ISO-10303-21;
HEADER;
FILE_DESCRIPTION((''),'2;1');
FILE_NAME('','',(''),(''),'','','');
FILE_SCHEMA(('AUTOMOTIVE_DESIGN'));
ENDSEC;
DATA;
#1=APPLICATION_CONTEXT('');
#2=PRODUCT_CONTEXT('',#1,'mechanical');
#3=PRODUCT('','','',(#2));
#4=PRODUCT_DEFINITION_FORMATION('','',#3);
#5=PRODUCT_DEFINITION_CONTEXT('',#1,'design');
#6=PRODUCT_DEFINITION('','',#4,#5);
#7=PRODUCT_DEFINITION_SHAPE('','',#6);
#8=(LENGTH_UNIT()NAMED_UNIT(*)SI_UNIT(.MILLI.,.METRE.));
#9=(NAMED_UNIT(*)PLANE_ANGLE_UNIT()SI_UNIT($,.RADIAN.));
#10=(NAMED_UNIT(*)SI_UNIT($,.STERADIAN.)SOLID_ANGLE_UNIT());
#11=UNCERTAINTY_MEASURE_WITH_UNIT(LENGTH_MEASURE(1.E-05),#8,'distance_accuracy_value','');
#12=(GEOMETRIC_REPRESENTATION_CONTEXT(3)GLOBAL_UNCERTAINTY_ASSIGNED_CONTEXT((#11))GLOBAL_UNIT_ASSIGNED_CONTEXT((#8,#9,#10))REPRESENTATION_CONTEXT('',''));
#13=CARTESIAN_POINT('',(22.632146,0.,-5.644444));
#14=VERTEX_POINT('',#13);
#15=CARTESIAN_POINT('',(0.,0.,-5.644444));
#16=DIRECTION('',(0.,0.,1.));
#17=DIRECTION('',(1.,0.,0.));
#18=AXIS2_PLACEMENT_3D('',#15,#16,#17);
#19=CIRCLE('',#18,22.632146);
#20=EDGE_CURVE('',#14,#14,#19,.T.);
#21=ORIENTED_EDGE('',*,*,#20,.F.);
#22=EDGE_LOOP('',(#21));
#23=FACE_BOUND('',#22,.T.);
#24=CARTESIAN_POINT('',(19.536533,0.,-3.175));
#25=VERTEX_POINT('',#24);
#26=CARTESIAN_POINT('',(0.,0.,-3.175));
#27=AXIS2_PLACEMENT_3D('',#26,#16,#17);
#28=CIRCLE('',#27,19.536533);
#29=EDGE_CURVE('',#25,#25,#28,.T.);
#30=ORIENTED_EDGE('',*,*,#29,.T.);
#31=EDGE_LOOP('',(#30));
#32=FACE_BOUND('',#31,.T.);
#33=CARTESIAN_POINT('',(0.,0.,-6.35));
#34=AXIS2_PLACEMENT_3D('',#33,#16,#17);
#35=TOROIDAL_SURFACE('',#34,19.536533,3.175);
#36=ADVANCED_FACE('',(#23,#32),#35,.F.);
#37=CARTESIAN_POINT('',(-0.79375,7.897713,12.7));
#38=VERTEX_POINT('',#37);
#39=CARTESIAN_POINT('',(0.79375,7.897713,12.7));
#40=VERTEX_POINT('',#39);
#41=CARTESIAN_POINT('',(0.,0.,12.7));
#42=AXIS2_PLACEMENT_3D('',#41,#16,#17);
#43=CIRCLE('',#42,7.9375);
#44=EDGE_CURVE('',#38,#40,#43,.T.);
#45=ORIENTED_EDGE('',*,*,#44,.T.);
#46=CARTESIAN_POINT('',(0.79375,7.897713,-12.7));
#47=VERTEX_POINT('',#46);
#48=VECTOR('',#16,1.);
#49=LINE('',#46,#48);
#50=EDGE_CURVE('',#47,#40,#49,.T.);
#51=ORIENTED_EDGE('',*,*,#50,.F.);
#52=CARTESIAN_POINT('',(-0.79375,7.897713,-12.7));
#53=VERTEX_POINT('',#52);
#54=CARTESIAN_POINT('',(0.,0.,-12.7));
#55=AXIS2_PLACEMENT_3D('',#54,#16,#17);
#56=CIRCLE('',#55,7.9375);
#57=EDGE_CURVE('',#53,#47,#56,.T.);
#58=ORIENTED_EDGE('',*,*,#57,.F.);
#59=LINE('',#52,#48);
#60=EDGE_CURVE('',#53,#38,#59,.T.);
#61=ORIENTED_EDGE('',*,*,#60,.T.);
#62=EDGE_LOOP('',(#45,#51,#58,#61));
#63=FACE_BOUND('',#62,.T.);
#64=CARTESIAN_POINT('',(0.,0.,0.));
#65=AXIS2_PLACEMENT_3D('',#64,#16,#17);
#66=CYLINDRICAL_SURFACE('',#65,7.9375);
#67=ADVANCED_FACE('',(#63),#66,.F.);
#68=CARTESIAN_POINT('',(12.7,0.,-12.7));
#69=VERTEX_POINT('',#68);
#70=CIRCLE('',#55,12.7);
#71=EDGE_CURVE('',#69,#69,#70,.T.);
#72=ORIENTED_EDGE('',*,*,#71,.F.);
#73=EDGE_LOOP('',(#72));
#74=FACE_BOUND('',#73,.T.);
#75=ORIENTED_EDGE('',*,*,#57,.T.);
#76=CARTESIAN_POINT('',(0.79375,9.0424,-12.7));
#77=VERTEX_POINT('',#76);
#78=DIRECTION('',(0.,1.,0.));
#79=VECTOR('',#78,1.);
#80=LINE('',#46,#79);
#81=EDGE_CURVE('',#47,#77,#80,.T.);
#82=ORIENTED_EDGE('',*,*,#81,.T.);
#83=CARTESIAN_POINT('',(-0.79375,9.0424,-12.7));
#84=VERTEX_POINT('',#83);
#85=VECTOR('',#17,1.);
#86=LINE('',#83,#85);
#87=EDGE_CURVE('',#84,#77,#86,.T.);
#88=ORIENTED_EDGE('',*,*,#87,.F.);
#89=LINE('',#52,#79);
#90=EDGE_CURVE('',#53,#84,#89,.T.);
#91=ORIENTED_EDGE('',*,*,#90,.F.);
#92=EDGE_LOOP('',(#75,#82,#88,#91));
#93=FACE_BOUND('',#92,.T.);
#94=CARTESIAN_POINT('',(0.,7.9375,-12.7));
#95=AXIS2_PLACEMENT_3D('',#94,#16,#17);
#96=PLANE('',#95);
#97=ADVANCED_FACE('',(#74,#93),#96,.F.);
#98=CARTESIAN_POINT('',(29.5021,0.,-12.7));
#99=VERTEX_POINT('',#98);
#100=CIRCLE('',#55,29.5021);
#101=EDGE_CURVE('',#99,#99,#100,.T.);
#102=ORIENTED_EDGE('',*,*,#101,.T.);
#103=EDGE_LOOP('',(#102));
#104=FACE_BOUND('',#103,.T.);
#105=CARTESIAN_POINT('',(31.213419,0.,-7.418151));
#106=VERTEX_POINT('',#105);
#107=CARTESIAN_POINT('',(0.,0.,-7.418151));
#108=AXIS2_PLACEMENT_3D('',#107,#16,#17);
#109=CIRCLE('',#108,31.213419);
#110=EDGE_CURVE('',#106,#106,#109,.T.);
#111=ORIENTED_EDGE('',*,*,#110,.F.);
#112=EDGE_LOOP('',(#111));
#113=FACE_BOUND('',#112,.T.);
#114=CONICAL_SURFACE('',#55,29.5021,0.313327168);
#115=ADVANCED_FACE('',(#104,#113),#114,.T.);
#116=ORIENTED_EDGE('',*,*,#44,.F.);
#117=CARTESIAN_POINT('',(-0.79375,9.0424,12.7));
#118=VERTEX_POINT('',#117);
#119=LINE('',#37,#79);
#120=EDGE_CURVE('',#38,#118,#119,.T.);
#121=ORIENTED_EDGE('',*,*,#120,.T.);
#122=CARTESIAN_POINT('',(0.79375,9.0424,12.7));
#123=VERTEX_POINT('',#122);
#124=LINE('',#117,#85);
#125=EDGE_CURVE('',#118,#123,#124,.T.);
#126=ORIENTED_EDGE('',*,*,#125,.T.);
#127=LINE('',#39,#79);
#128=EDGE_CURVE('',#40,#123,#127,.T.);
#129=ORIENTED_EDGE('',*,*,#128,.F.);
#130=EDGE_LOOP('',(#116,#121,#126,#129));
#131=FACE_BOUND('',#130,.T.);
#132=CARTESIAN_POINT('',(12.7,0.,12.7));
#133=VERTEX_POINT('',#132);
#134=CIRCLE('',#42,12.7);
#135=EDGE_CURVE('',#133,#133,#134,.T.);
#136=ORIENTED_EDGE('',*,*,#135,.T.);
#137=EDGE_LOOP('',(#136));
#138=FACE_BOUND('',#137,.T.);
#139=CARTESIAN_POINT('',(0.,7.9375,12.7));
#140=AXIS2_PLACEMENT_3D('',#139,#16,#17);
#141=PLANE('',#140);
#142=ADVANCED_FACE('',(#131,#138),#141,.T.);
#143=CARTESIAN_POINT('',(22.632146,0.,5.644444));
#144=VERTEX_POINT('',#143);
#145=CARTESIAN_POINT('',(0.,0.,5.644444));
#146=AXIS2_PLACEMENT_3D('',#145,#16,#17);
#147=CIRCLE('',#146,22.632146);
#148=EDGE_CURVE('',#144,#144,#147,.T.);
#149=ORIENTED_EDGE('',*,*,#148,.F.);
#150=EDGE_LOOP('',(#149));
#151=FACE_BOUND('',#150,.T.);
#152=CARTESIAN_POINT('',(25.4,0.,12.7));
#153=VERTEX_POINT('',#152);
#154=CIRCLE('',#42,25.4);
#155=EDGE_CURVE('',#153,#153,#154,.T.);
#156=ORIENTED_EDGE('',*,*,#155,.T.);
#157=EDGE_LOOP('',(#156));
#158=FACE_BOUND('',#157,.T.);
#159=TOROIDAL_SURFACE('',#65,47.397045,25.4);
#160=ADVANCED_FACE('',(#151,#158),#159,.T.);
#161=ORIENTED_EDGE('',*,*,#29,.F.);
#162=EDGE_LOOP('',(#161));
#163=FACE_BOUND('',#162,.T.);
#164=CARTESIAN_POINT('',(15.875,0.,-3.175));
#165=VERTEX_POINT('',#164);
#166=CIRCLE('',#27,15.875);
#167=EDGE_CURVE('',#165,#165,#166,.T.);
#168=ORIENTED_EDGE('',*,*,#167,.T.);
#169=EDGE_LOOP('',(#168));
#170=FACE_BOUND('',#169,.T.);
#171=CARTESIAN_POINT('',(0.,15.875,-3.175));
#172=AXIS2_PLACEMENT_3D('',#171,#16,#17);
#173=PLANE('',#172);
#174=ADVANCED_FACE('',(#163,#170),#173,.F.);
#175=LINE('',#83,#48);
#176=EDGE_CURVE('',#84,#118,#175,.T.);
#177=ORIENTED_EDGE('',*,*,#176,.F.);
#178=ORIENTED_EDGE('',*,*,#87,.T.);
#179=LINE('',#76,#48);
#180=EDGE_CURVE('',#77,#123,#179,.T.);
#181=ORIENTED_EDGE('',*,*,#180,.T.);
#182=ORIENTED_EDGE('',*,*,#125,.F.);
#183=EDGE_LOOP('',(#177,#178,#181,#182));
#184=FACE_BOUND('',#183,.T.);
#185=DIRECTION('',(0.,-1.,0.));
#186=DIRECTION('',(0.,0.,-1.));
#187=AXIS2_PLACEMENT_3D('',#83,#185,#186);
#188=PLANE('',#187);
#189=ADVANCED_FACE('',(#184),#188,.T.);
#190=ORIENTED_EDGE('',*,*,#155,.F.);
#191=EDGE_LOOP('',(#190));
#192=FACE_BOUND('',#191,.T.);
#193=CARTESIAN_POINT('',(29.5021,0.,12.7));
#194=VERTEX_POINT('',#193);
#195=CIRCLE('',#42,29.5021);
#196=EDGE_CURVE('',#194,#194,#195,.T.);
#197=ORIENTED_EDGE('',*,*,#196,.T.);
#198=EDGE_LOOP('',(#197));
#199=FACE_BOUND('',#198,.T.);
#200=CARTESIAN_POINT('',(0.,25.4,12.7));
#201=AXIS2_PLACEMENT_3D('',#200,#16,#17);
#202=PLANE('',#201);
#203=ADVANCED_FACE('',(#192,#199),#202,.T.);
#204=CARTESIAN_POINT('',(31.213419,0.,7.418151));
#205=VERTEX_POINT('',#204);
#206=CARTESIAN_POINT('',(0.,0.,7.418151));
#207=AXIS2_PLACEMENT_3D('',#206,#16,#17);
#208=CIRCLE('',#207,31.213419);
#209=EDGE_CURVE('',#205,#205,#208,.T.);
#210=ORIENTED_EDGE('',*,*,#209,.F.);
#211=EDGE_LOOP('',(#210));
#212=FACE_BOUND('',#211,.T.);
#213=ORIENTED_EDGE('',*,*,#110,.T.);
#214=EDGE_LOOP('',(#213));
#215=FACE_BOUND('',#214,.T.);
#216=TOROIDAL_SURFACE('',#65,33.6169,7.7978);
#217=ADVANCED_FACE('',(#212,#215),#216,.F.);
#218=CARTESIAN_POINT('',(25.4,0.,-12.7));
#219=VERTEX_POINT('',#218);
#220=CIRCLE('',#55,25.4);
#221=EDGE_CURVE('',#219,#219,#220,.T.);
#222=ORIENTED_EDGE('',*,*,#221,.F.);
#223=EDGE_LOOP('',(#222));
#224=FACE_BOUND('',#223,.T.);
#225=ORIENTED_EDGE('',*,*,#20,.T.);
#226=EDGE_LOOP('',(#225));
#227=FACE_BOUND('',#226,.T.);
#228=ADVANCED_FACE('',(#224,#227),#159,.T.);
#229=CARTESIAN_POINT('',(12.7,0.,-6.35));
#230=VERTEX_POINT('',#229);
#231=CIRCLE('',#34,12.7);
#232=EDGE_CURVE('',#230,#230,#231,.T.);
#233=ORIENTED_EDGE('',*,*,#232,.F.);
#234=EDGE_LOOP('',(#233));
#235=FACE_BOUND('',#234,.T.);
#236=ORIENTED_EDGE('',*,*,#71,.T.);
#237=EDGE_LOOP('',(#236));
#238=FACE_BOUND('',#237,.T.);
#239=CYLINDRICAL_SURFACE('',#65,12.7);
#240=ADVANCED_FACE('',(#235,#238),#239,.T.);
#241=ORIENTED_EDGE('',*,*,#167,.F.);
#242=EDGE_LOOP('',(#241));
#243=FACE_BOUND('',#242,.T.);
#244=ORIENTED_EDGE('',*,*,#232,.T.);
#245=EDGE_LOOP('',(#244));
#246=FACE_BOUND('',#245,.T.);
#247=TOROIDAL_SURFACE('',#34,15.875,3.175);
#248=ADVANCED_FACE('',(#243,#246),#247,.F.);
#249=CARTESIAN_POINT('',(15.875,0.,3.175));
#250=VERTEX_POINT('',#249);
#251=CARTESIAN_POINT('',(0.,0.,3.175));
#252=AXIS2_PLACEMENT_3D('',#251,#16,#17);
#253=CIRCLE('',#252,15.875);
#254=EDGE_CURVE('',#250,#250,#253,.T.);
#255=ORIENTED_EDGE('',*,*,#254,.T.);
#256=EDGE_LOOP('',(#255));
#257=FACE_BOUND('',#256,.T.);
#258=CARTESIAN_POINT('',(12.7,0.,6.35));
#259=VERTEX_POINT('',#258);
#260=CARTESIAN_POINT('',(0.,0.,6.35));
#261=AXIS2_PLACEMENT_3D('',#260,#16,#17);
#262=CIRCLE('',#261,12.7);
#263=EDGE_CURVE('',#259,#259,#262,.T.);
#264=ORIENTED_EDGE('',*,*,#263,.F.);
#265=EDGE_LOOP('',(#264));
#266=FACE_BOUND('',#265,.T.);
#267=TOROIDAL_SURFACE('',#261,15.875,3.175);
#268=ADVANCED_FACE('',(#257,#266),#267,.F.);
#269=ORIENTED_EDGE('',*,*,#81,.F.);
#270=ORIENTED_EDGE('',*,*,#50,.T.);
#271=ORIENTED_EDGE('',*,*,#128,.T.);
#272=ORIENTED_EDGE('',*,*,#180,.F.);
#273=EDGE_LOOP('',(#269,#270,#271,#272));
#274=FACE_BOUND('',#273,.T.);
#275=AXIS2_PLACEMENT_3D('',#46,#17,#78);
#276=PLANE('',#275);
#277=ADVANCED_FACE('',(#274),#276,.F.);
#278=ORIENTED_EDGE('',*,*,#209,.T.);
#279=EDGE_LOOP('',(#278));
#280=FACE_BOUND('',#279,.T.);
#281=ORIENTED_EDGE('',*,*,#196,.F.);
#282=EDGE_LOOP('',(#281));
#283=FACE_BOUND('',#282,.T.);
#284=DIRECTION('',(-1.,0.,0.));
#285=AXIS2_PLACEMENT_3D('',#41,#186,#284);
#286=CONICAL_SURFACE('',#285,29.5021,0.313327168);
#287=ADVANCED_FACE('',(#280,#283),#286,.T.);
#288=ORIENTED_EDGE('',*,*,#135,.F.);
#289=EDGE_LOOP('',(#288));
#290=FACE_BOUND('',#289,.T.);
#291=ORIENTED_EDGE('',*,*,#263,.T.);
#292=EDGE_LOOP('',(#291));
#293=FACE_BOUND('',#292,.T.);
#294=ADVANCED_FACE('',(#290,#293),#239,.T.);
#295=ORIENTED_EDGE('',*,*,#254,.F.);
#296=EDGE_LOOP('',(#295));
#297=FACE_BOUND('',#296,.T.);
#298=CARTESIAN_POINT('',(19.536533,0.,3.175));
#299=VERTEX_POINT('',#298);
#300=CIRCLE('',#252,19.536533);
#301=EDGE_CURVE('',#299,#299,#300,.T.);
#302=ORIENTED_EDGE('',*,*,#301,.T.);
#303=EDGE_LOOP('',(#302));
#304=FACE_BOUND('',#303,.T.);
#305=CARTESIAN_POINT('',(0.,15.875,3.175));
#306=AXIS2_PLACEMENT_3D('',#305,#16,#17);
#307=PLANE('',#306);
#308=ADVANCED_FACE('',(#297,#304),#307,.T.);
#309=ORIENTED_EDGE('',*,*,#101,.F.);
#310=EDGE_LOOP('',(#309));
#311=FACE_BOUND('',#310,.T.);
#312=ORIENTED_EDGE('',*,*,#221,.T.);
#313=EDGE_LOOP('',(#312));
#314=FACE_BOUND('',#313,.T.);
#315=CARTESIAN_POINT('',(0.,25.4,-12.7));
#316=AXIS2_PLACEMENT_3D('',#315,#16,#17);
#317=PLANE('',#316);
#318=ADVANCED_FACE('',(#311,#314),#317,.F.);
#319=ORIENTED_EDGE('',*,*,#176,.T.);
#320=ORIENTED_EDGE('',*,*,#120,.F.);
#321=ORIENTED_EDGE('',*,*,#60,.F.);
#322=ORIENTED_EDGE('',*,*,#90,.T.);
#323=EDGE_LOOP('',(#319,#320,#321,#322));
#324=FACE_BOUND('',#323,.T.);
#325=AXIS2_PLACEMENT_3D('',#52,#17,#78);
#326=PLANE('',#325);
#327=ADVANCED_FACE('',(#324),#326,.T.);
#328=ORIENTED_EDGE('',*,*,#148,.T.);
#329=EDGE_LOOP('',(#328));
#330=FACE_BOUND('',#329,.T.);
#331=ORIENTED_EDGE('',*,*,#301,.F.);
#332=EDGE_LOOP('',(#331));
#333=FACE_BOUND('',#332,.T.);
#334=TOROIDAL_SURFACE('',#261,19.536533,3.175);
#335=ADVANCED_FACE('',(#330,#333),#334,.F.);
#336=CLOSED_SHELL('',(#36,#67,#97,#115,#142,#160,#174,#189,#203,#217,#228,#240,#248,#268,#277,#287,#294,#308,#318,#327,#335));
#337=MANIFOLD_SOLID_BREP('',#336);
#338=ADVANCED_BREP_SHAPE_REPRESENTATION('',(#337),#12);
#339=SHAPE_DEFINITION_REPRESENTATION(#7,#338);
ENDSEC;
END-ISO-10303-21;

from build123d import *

# Parameters (mm, degrees)
CUT_EXTRUDE1_DEPTH = 51.928528947


with BuildPart() as part:
    # Sketch1 → Base-Revolve (revolve)
    with BuildSketch(Plane(origin=(0, 0, 0), x_dir=(0, 0, -1), z_dir=(1, 0, 0)), mode=Mode.PRIVATE) as base_revolve_sk:
        with BuildLine():
            Line((-12.7, 7.9375), (12.7, 7.9375))
            Line((12.7, 7.9375), (12.7, 12.7))
            Line((12.7, 12.7), (6.35, 12.7))
            ThreePointArc((6.35, 12.7), (4.10493597, 13.62993597), (3.175, 15.875))
            Line((3.175, 15.875), (3.175, 19.536533326))
            ThreePointArc((3.175, 19.536533326), (3.867988327, 21.516493693), (5.644444444, 22.632145763))
            ThreePointArc((5.644444444, 22.632145763), (9.276039821, 23.751430753), (12.7, 25.4))
            Line((12.7, 25.4), (12.7, 29.5021))
            Line((12.7, 29.5021), (7.418151002, 31.213419075))
            ThreePointArc((7.418151002, 31.213419075), (0, 25.8191), (-7.418151002, 31.213419075))
            Line((-7.418151002, 31.213419075), (-12.7, 29.5021))
            Line((-12.7, 29.5021), (-12.7, 25.4))
            ThreePointArc((-12.7, 25.4), (-9.276039821, 23.751430753), (-5.644444444, 22.632145763))
            ThreePointArc((-5.644444444, 22.632145763), (-3.867988327, 21.516493693), (-3.175, 19.536533326))
            Line((-3.175, 19.536533326), (-3.175, 15.875))
            ThreePointArc((-3.175, 15.875), (-4.10493597, 13.62993597), (-6.35, 12.7))
            Line((-6.35, 12.7), (-12.7, 12.7))
            Line((-12.7, 12.7), (-12.7, 7.9375))
        make_face()
    revolve(base_revolve_sk.sketch.rotate(Axis((0, 0, 0), (0, 0, -1)), 90), axis=Axis((0, 0, 0), (0, 0, -1)))

    # Sketch2 → Cut-Extrude1 (cut, through all)
    with BuildSketch(Plane.XY.offset(12.7)):
        with BuildLine():
            Line((-0.79375, 7.897712782), (-0.79375, 9.0424))
            Line((-0.79375, 9.0424), (0.79375, 9.0424))
            Line((0.79375, 9.0424), (0.79375, 7.897712782))
            ThreePointArc((0.79375, 7.897712782), (0, 7.9375), (-0.79375, 7.897712782))
        make_face()
    extrude(amount=-CUT_EXTRUDE1_DEPTH, mode=Mode.SUBTRACT)


solid = part.part
